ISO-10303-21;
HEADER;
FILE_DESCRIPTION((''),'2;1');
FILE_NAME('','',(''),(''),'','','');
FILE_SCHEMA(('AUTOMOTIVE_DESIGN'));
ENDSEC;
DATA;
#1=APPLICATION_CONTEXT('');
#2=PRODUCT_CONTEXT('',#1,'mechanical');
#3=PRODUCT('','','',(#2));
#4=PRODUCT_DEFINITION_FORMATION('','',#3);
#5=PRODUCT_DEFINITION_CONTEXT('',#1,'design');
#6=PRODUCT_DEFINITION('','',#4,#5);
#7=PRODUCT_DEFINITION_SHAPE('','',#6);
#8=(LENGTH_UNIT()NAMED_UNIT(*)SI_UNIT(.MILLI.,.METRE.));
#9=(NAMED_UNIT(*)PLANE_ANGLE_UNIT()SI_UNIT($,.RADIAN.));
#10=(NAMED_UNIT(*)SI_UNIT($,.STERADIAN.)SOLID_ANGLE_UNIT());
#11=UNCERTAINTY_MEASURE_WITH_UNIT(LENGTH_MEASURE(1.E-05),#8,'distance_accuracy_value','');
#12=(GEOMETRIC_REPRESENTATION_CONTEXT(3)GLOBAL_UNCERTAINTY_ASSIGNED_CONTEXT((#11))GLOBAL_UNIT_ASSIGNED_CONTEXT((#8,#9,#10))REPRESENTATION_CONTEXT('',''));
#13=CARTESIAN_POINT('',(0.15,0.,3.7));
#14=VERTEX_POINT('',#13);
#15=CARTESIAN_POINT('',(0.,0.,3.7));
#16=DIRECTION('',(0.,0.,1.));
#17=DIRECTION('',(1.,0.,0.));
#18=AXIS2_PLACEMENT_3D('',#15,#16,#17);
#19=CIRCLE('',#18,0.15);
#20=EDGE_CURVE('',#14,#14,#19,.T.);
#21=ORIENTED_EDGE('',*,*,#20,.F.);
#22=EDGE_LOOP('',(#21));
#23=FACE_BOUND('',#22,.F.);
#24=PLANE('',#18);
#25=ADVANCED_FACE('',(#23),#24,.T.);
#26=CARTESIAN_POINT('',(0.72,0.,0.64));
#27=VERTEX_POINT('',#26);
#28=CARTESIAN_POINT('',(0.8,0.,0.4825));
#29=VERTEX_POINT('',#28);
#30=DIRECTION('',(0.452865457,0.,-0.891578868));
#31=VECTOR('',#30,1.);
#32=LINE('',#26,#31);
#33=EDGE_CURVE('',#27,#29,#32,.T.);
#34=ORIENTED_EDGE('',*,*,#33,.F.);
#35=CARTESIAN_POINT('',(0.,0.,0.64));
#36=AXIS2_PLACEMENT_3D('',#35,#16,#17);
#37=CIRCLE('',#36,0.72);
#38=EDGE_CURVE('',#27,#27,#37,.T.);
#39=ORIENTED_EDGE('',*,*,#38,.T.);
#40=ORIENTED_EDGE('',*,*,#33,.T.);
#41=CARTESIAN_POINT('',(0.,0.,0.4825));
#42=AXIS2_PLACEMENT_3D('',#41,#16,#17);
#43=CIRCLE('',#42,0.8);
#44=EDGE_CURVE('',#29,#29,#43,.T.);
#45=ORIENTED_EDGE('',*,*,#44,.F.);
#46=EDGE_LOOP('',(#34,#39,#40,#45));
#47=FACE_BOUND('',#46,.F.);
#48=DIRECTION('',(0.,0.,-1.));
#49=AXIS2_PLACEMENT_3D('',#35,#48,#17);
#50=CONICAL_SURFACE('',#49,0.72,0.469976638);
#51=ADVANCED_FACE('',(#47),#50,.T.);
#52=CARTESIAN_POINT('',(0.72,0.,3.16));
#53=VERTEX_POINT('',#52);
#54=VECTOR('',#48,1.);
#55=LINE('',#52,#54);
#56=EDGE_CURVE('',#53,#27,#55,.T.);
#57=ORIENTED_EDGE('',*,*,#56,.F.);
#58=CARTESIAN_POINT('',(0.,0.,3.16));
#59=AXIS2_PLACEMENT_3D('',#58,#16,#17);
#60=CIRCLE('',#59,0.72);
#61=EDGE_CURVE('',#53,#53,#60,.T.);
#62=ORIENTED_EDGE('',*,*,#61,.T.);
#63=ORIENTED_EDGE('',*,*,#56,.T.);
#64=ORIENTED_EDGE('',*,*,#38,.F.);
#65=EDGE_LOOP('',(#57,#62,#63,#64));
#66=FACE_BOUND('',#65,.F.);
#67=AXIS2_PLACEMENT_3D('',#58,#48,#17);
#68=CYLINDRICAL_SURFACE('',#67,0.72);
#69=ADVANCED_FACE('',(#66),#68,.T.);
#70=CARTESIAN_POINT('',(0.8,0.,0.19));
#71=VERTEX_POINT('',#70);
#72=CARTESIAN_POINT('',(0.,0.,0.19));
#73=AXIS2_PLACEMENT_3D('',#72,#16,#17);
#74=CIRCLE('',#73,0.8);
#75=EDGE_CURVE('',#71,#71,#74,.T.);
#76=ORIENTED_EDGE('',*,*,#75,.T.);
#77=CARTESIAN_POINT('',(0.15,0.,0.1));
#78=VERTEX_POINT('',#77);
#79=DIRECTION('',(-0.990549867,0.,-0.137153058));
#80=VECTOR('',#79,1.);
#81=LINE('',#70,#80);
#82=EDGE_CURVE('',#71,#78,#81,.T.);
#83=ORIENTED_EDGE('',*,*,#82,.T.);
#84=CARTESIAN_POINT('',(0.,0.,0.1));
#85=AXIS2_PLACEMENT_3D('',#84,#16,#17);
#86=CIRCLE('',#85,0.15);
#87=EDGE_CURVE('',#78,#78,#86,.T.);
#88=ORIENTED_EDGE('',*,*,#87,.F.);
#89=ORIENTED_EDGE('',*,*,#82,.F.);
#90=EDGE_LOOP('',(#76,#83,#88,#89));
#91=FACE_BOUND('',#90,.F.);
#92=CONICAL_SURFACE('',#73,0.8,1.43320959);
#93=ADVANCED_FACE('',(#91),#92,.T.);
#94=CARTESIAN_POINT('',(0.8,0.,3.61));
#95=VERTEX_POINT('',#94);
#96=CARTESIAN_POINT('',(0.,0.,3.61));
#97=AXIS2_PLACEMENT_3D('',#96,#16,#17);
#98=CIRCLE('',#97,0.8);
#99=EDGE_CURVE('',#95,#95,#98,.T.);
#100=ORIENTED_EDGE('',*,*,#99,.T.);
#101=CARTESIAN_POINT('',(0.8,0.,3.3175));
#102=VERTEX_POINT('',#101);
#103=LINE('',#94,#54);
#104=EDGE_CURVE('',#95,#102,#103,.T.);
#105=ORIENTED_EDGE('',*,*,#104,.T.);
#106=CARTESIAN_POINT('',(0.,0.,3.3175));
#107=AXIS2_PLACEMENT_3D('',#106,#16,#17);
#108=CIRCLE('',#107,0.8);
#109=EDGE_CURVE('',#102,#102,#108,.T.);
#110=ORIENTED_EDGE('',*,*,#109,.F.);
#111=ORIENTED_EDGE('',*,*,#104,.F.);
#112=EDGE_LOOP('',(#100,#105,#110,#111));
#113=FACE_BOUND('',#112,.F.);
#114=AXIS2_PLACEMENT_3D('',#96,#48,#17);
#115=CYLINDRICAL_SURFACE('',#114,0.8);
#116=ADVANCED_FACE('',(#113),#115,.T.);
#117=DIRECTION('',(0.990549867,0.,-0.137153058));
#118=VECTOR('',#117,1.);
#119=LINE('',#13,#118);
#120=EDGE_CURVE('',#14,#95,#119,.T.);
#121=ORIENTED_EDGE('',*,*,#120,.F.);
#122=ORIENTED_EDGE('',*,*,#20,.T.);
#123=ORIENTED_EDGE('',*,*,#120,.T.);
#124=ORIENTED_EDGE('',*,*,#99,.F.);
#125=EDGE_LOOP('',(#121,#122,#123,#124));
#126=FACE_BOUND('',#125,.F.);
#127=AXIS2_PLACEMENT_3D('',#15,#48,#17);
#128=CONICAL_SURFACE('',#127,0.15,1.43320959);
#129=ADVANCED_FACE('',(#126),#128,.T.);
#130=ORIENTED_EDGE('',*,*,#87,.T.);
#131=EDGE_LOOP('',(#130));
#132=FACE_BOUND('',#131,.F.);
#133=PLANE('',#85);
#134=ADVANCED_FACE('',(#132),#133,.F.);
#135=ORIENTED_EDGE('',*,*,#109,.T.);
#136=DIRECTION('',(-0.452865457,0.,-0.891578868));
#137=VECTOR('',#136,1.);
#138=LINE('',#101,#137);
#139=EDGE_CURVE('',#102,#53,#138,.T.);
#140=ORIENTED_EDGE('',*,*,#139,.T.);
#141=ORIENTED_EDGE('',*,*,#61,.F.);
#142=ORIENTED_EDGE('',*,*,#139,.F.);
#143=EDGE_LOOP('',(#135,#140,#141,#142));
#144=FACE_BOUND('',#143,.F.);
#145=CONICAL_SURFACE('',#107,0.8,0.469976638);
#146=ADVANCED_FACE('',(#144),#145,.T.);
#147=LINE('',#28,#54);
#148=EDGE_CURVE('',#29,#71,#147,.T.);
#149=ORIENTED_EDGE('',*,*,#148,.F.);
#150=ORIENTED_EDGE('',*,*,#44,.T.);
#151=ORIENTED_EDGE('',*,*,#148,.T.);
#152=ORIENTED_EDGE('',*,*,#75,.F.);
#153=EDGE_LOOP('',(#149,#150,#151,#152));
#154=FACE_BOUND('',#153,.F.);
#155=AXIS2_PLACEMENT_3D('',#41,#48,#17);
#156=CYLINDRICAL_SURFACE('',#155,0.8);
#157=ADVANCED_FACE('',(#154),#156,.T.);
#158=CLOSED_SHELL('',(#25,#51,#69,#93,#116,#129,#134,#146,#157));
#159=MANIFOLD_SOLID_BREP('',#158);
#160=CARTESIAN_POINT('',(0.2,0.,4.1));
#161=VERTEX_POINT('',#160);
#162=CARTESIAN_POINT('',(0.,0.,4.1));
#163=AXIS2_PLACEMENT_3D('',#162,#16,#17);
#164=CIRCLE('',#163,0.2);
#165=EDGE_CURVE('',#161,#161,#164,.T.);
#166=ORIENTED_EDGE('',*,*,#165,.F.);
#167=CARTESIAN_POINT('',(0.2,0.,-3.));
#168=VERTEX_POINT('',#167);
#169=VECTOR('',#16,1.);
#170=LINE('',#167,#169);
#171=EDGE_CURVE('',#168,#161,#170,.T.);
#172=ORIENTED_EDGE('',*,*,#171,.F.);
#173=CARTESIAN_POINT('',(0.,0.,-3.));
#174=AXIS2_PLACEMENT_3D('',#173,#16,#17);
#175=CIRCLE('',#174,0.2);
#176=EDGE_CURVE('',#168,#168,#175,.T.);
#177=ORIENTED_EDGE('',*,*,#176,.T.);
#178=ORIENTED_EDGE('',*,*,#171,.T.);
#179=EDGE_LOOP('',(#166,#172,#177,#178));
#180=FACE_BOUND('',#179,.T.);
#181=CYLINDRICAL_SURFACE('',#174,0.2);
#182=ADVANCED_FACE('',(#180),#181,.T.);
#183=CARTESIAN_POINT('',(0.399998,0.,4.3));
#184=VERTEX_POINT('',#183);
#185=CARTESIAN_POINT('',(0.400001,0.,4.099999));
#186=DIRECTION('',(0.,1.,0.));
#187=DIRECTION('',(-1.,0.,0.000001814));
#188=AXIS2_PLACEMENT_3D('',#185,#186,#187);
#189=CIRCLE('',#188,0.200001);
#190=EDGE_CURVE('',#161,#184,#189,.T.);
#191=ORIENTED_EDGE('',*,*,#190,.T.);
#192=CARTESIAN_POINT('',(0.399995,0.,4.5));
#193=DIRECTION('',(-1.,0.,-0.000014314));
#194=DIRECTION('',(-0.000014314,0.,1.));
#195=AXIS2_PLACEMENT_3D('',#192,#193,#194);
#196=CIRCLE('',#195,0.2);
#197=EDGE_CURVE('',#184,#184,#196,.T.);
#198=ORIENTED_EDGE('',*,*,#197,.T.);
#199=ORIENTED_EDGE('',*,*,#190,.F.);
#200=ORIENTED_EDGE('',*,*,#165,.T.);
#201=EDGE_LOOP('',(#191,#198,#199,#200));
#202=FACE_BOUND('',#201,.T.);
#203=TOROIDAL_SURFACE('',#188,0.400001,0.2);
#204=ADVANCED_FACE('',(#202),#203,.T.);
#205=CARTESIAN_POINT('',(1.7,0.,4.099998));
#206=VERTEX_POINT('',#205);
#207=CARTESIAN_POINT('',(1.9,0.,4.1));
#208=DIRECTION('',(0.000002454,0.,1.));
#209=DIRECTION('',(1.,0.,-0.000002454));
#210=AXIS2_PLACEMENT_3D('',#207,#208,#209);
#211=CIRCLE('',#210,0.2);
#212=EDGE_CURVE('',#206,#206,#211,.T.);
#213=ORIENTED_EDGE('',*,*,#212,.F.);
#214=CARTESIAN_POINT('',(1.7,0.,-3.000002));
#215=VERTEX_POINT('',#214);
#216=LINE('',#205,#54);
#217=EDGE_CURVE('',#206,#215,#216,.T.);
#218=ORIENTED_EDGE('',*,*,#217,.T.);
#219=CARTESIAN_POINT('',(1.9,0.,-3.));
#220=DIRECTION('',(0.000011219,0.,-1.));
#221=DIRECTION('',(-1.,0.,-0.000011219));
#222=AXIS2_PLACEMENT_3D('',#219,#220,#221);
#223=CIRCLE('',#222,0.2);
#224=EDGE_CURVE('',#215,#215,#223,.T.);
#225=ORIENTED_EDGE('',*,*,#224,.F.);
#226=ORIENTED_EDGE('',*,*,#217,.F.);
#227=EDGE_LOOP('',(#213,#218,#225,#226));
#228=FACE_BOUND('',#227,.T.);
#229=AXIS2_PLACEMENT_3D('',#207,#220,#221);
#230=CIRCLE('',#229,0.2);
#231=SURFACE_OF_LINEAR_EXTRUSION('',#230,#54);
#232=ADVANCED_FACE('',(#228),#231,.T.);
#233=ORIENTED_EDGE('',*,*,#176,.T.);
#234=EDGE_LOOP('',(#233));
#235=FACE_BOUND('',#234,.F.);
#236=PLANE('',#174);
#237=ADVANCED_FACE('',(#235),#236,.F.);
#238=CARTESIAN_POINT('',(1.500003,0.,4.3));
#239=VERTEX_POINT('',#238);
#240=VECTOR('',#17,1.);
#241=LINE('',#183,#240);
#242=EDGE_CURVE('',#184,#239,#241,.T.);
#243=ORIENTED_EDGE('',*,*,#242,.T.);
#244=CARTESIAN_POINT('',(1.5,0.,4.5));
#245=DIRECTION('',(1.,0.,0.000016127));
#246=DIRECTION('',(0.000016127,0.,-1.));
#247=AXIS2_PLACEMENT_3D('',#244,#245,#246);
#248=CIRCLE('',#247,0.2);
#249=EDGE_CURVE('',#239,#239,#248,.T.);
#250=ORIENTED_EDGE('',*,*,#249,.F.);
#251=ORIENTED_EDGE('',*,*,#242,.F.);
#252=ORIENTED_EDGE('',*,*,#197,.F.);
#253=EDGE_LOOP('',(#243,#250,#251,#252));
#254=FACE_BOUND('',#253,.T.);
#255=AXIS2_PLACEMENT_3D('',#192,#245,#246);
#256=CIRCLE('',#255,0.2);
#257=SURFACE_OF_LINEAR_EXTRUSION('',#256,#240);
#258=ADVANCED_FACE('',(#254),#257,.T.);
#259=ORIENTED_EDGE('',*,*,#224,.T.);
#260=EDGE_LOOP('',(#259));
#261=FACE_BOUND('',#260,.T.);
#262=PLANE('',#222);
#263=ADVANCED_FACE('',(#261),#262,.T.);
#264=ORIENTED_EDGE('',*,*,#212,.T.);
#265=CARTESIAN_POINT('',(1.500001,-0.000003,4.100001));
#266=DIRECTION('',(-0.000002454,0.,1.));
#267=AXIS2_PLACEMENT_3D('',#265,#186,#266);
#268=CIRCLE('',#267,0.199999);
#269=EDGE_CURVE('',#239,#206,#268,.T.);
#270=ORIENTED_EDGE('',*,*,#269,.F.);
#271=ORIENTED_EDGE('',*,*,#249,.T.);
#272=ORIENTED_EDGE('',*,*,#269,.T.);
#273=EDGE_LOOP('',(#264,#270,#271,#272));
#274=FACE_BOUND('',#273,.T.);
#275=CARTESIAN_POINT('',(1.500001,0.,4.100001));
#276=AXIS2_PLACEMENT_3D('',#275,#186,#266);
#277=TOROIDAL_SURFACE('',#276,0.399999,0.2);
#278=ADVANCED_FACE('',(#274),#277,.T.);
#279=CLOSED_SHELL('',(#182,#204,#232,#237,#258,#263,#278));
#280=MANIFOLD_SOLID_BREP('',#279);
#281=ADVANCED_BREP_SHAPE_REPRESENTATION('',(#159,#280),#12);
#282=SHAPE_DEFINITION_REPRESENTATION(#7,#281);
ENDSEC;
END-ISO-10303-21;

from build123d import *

# Parameters (mm, degrees)
SKETCH_R = 0.2


with BuildPart() as sweep_body:
    # Sweep: sweep along a path in Sketch001
    with BuildLine(Plane.XZ) as sweep_path:
        Line((0, -3), (0, 4.1))
        ThreePointArc((0, 4.1), (0.117156, 4.382841), (0.399995, 4.5))
        Line((0.399995, 4.5), (1.5, 4.5))
        ThreePointArc((1.5, 4.5), (1.782843, 4.382843), (1.9, 4.1))
        Line((1.9, 4.1), (1.9, -3))
    # Sketch → Sweep (sweep)
    with BuildSketch(Plane.XY.offset(-2)):
        Circle(SKETCH_R)
    sweep(path=sweep_path.line)


with BuildPart() as revolution:
    # Sketch002 → Revolution (revolve)
    with BuildSketch(Plane.XZ):
        Polygon((0, 0.1), (0, 3.7), (0.15, 3.7), (0.8, 3.61), (0.8, 3.3175), (0.72, 3.16), (0.72, 0.64), (0.8, 0.4825), (0.8, 0.19), (0.15, 0.1), align=None)
    revolve(axis=Axis((0, 0, 0), (0, 0, 1)))


solid = Compound([sweep_body.part, revolution.part])
